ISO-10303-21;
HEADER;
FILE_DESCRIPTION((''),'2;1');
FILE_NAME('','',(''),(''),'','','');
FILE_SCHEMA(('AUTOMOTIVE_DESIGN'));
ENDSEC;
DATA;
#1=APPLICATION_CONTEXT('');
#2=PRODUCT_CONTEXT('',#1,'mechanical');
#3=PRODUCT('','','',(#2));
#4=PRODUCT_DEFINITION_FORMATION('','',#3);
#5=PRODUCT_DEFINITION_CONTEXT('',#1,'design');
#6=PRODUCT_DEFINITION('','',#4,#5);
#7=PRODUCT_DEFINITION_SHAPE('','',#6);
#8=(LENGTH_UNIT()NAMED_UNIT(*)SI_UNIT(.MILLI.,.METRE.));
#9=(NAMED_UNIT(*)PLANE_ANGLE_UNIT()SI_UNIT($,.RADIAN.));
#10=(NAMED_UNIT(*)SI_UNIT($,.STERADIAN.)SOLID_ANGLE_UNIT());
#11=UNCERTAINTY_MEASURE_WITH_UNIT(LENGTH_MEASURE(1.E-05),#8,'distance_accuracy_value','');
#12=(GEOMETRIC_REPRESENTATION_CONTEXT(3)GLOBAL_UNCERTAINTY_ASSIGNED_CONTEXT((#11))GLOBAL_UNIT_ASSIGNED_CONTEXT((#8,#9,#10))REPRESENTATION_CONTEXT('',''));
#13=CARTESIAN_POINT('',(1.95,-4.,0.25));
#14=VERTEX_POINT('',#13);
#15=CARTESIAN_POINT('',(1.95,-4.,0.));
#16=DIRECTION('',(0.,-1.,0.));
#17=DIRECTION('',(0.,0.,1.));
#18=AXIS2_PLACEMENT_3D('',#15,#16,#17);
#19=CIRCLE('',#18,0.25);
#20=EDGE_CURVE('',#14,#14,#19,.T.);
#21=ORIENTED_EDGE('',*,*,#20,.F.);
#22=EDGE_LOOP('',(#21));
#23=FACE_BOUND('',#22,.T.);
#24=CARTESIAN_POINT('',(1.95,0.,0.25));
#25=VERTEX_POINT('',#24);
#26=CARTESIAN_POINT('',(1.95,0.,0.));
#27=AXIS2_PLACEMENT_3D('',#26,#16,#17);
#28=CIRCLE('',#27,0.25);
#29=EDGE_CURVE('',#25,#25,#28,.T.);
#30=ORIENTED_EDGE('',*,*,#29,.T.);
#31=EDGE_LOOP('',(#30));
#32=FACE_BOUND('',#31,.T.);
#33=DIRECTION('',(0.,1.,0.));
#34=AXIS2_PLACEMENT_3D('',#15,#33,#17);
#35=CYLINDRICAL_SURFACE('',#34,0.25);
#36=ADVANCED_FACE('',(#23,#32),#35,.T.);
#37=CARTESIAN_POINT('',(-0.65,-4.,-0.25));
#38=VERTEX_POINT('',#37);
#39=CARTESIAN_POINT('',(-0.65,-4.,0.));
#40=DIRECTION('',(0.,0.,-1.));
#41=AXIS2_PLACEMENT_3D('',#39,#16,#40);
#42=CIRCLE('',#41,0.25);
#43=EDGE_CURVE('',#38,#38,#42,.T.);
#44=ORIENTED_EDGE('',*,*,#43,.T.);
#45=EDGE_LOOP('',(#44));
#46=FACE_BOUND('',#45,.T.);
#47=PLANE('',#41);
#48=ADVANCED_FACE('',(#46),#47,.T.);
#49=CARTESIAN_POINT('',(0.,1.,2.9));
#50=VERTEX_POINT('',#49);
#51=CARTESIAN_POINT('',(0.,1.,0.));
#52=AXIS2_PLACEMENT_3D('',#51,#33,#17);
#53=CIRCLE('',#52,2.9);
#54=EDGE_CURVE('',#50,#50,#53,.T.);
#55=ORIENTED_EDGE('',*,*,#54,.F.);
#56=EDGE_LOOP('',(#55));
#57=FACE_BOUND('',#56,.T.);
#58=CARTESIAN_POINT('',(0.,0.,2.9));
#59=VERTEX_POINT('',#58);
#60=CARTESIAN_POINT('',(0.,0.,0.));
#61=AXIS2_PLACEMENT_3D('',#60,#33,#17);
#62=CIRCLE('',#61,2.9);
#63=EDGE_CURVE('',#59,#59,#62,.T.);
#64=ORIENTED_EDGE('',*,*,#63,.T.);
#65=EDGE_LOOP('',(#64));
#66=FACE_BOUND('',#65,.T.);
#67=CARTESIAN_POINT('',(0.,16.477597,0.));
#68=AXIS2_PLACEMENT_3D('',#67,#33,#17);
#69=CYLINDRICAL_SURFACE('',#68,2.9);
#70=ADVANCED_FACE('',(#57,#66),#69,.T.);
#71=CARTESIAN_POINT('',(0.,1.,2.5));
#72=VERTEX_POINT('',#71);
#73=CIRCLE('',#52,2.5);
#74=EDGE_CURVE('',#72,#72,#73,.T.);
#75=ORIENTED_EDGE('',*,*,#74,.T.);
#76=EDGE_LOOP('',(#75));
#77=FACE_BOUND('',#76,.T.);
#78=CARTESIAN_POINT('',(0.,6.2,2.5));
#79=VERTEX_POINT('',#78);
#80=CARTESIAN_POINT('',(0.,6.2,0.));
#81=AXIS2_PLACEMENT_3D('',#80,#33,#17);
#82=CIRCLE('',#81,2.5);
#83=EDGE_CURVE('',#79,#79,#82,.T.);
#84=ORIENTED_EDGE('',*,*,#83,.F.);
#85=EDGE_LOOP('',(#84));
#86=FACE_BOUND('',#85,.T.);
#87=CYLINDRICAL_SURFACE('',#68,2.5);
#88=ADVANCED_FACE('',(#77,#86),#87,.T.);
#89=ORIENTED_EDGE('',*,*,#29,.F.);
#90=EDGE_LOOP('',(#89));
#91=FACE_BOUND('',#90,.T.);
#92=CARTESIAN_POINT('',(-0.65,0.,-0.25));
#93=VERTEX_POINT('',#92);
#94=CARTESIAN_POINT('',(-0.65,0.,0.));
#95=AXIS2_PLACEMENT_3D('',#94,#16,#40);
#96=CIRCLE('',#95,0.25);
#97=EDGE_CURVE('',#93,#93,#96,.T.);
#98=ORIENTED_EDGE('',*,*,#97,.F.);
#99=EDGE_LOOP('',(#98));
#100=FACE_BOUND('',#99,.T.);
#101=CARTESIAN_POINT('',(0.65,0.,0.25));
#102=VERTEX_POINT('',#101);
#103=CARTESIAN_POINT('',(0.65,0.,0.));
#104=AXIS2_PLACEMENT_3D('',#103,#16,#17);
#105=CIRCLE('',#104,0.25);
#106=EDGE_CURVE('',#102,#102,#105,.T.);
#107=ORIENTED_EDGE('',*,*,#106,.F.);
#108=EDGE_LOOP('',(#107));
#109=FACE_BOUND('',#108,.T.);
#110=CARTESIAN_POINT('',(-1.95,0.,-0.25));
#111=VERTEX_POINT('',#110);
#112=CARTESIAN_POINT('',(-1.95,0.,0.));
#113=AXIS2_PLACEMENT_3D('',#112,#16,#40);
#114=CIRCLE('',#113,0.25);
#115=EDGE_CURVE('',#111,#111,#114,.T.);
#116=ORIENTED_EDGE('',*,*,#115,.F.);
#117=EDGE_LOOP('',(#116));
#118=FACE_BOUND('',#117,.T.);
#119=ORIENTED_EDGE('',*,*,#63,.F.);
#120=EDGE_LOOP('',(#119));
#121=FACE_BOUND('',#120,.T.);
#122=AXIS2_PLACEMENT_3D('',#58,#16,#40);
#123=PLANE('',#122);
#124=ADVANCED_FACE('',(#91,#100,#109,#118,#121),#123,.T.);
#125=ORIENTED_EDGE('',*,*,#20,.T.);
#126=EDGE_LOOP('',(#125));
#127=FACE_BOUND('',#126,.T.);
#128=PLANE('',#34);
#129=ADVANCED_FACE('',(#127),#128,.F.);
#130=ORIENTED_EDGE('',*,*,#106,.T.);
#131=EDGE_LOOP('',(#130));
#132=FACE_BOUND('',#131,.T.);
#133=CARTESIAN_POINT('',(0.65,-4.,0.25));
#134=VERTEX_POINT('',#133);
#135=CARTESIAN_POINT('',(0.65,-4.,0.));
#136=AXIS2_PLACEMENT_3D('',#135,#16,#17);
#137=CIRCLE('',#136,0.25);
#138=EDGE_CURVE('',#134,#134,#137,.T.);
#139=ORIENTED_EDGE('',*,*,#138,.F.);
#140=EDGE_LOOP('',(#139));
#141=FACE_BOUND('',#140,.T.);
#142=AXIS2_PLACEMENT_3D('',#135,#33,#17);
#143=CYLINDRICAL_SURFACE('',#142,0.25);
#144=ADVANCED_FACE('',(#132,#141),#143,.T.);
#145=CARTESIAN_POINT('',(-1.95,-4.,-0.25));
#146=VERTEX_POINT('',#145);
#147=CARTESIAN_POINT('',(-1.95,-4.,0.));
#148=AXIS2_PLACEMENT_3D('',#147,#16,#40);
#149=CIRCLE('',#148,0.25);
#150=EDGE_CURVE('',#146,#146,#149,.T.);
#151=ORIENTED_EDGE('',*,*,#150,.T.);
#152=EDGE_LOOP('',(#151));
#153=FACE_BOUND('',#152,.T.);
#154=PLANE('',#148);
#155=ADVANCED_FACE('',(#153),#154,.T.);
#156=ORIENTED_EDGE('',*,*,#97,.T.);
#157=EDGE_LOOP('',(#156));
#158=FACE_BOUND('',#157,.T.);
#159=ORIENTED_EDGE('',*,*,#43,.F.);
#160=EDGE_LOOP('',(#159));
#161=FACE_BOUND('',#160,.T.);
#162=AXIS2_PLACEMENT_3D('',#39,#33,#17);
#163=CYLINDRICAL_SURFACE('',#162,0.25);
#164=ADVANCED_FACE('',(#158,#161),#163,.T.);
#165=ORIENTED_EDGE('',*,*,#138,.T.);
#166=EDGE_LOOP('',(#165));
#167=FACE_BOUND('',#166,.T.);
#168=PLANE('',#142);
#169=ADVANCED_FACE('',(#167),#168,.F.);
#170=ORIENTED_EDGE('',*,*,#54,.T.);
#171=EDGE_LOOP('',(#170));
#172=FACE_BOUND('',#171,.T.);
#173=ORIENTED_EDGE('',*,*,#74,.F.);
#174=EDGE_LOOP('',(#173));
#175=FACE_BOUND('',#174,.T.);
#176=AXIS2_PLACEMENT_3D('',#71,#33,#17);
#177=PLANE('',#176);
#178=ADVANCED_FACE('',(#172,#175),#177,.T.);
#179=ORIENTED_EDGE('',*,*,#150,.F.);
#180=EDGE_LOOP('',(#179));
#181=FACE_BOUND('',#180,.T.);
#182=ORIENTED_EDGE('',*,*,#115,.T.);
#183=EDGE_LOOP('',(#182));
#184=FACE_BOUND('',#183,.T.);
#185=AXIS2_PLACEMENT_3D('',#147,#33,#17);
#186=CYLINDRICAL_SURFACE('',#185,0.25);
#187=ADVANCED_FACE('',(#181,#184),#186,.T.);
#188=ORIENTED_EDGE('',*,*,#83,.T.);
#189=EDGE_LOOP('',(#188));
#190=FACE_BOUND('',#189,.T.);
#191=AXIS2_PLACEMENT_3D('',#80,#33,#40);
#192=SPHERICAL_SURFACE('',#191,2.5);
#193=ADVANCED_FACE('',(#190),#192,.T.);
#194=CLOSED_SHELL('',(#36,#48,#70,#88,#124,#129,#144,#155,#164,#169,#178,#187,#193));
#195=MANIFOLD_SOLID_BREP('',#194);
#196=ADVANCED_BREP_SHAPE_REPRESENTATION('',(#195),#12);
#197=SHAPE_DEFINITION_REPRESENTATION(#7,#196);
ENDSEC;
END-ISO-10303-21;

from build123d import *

# Parameters (mm, degrees)
SKETCH2_R           = 0.25
BOSS_EXTRUDE1_DEPTH = 4


with BuildPart() as part:
    # Sketch1 → Revolve1 (revolve)
    with BuildSketch(Plane(origin=(0, 0, 0), x_dir=(0, 0, -1), z_dir=(1, 0, 0))):
        with BuildLine():
            Line((-2.5, 6.2), (-2.5, 1))
            Line((-2.5, 1), (-2.9, 1))
            Line((-2.9, 1), (-2.9, 0))
            Line((-2.9, 0), (0, 0))
            Line((0, 0), (0, 8.7))
            ThreePointArc((0, 8.7), (-1.767766953, 7.967766953), (-2.5, 6.2))
        make_face()
    revolve(axis=Axis((0, 16.477597325, 0), (0, -1, 0)))

    # Sketch2 → Boss-Extrude1 (add)
    with BuildSketch(Plane.XZ):
        with Locations(Location((-1.95, 0, 0), (0, 0, 270))):
            Circle(SKETCH2_R)
        with Locations(Location((-0.65, 0, 0), (0, 0, 270))):
            Circle(SKETCH2_R)
        with Locations(Location((0.65, 0, 0), (0, 0, 90))):
            Circle(SKETCH2_R)
        with Locations(Location((1.95, 0, 0), (0, 0, 90))):
            Circle(SKETCH2_R)
    extrude(amount=BOSS_EXTRUDE1_DEPTH)


solid = part.part
